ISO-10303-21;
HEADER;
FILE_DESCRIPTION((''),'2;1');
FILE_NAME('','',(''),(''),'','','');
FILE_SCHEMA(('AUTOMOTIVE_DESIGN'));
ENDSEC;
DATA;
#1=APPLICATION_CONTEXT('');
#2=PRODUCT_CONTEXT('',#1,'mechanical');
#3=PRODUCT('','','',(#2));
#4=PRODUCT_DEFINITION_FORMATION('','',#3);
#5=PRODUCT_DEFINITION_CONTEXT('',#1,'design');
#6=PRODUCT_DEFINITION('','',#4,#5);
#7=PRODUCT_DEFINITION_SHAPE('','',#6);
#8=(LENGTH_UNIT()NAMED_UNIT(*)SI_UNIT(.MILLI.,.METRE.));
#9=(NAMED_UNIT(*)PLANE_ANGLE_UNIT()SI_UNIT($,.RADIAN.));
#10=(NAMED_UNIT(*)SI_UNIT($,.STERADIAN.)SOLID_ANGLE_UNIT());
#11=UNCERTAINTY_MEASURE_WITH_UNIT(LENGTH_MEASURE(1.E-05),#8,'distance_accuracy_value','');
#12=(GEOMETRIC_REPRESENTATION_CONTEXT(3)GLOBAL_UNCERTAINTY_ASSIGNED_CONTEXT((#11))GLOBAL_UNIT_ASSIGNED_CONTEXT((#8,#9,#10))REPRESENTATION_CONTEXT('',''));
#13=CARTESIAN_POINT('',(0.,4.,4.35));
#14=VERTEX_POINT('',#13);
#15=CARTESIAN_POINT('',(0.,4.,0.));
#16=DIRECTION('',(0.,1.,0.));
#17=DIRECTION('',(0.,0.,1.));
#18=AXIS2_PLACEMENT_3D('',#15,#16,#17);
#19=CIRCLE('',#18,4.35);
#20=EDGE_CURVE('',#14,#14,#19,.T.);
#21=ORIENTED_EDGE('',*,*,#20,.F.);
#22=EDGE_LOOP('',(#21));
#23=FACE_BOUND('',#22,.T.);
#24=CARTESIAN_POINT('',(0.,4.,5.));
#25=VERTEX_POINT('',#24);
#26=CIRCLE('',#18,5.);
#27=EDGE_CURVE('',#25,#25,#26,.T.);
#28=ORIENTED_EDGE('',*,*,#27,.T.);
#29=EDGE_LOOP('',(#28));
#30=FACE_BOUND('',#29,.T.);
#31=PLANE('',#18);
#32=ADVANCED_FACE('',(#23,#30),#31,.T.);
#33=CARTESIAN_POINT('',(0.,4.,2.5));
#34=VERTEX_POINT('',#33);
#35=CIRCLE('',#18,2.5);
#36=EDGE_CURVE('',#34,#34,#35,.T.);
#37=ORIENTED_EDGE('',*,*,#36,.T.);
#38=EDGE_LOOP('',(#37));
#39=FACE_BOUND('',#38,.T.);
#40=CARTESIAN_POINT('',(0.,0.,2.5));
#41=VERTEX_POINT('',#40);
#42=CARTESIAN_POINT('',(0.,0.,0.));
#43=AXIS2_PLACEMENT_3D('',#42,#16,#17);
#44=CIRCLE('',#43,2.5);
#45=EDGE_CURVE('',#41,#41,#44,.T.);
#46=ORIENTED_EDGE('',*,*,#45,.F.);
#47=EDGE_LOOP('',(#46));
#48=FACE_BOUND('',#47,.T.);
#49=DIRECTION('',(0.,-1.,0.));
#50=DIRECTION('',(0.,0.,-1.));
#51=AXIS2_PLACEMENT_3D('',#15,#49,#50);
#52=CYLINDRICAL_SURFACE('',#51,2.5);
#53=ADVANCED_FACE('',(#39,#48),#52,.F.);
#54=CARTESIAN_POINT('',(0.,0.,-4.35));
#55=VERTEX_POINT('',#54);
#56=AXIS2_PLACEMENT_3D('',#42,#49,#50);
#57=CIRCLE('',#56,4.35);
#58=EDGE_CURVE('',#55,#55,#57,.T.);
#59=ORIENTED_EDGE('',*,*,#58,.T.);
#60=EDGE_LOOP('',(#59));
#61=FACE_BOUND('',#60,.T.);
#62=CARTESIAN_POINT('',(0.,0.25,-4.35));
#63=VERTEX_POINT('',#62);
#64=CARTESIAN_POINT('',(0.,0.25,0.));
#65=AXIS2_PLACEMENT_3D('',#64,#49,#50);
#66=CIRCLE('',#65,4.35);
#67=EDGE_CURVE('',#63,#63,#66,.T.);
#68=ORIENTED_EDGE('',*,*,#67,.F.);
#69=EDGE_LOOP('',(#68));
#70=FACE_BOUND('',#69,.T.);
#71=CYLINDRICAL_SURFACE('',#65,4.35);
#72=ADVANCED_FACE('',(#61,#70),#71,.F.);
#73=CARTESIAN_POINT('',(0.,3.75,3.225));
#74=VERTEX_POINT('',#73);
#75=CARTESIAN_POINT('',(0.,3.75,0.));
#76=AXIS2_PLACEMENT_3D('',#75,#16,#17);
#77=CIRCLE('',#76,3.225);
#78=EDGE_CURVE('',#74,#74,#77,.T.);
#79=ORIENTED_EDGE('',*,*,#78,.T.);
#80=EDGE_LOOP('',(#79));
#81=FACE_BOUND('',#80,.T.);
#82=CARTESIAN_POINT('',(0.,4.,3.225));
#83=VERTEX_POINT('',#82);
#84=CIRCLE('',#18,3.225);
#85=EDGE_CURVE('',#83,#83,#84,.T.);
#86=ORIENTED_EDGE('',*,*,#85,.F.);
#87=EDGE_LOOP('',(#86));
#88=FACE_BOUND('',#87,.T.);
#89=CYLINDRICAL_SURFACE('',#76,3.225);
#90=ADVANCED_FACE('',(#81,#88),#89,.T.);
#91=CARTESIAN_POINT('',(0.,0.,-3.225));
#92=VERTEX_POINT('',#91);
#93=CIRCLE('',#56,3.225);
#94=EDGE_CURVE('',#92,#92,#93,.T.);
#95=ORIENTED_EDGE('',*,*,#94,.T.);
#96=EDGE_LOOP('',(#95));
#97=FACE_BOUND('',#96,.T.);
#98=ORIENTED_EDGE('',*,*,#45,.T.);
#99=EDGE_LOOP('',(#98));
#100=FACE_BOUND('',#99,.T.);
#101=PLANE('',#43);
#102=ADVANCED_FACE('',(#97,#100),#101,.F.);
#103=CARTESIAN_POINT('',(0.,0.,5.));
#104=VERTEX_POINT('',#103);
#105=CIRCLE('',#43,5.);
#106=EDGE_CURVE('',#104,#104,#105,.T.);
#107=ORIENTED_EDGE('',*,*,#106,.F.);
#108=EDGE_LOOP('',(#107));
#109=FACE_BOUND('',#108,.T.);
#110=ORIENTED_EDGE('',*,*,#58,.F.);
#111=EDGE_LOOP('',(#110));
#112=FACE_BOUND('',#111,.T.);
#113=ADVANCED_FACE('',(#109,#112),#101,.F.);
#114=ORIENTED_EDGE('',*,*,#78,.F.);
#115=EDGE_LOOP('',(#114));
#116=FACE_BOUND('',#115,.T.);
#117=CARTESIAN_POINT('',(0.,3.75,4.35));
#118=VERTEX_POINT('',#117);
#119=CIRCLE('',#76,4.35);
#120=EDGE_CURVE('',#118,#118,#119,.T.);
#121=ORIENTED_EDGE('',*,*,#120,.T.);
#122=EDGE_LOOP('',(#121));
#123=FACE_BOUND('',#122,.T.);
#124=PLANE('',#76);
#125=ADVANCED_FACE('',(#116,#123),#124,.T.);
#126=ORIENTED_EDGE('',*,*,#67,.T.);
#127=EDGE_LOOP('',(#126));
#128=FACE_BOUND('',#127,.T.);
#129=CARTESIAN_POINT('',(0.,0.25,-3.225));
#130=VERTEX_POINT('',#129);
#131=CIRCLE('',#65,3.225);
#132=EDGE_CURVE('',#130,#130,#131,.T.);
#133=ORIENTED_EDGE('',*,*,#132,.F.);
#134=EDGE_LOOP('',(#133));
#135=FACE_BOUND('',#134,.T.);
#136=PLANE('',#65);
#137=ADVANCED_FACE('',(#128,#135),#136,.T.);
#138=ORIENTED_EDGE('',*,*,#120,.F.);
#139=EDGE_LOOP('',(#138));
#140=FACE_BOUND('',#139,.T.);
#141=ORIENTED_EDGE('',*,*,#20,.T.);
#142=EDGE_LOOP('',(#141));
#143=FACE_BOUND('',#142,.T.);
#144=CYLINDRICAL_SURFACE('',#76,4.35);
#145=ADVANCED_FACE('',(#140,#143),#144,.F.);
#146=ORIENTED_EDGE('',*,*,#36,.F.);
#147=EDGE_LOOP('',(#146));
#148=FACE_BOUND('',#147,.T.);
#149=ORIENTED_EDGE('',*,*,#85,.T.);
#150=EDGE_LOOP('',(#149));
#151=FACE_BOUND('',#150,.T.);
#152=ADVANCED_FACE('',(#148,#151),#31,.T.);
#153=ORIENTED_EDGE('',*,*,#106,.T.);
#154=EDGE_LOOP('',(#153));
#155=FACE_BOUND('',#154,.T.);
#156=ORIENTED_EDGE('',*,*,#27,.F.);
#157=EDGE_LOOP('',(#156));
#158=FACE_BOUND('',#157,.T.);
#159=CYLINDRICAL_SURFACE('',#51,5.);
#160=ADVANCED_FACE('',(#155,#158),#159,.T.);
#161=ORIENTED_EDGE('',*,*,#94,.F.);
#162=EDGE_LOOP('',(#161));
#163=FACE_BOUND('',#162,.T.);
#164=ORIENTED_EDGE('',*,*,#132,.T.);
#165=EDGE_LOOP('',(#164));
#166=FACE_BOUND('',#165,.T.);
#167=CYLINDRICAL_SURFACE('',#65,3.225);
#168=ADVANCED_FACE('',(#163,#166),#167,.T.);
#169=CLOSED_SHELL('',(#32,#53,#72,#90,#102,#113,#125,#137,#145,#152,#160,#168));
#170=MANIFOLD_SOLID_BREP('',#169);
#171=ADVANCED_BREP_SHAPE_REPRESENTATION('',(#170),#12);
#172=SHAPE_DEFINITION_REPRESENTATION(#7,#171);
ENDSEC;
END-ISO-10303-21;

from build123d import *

# Parameters (mm, degrees)
SKETCH1_R           = 5
SKETCH1_R_2         = 2.5
BOSS_EXTRUDE1_DEPTH = 4
SKETCH2_R           = 4.35
SKETCH2_R_2         = 3.225
CUT_EXTRUDE1_DEPTH  = 0.25
SKETCH3_R           = 4.35
SKETCH3_R_2         = 3.225
CUT_EXTRUDE2_DEPTH  = 0.25


with BuildPart() as part:
    # Sketch1 → Boss-Extrude1 (new body)
    with BuildSketch(Plane(origin=(0, 0, 0), x_dir=(1, 0, 0), z_dir=(0, 1, 0))):
        Circle(SKETCH1_R)
        Circle(SKETCH1_R_2, mode=Mode.SUBTRACT)
    extrude(amount=BOSS_EXTRUDE1_DEPTH)

    # Sketch2 → Cut-Extrude1 (cut)
    with BuildSketch(Plane(origin=(0, 4, 0), x_dir=(1, 0, 0), z_dir=(0, 1, 0))):
        Circle(SKETCH2_R)
        Circle(SKETCH2_R_2, mode=Mode.SUBTRACT)
    extrude(amount=-CUT_EXTRUDE1_DEPTH, mode=Mode.SUBTRACT)

    # Sketch3 → Cut-Extrude2 (cut)
    with BuildSketch(Plane.XZ):
        Circle(SKETCH3_R)
        Circle(SKETCH3_R_2, mode=Mode.SUBTRACT)
    extrude(amount=-CUT_EXTRUDE2_DEPTH, mode=Mode.SUBTRACT)


solid = part.part
